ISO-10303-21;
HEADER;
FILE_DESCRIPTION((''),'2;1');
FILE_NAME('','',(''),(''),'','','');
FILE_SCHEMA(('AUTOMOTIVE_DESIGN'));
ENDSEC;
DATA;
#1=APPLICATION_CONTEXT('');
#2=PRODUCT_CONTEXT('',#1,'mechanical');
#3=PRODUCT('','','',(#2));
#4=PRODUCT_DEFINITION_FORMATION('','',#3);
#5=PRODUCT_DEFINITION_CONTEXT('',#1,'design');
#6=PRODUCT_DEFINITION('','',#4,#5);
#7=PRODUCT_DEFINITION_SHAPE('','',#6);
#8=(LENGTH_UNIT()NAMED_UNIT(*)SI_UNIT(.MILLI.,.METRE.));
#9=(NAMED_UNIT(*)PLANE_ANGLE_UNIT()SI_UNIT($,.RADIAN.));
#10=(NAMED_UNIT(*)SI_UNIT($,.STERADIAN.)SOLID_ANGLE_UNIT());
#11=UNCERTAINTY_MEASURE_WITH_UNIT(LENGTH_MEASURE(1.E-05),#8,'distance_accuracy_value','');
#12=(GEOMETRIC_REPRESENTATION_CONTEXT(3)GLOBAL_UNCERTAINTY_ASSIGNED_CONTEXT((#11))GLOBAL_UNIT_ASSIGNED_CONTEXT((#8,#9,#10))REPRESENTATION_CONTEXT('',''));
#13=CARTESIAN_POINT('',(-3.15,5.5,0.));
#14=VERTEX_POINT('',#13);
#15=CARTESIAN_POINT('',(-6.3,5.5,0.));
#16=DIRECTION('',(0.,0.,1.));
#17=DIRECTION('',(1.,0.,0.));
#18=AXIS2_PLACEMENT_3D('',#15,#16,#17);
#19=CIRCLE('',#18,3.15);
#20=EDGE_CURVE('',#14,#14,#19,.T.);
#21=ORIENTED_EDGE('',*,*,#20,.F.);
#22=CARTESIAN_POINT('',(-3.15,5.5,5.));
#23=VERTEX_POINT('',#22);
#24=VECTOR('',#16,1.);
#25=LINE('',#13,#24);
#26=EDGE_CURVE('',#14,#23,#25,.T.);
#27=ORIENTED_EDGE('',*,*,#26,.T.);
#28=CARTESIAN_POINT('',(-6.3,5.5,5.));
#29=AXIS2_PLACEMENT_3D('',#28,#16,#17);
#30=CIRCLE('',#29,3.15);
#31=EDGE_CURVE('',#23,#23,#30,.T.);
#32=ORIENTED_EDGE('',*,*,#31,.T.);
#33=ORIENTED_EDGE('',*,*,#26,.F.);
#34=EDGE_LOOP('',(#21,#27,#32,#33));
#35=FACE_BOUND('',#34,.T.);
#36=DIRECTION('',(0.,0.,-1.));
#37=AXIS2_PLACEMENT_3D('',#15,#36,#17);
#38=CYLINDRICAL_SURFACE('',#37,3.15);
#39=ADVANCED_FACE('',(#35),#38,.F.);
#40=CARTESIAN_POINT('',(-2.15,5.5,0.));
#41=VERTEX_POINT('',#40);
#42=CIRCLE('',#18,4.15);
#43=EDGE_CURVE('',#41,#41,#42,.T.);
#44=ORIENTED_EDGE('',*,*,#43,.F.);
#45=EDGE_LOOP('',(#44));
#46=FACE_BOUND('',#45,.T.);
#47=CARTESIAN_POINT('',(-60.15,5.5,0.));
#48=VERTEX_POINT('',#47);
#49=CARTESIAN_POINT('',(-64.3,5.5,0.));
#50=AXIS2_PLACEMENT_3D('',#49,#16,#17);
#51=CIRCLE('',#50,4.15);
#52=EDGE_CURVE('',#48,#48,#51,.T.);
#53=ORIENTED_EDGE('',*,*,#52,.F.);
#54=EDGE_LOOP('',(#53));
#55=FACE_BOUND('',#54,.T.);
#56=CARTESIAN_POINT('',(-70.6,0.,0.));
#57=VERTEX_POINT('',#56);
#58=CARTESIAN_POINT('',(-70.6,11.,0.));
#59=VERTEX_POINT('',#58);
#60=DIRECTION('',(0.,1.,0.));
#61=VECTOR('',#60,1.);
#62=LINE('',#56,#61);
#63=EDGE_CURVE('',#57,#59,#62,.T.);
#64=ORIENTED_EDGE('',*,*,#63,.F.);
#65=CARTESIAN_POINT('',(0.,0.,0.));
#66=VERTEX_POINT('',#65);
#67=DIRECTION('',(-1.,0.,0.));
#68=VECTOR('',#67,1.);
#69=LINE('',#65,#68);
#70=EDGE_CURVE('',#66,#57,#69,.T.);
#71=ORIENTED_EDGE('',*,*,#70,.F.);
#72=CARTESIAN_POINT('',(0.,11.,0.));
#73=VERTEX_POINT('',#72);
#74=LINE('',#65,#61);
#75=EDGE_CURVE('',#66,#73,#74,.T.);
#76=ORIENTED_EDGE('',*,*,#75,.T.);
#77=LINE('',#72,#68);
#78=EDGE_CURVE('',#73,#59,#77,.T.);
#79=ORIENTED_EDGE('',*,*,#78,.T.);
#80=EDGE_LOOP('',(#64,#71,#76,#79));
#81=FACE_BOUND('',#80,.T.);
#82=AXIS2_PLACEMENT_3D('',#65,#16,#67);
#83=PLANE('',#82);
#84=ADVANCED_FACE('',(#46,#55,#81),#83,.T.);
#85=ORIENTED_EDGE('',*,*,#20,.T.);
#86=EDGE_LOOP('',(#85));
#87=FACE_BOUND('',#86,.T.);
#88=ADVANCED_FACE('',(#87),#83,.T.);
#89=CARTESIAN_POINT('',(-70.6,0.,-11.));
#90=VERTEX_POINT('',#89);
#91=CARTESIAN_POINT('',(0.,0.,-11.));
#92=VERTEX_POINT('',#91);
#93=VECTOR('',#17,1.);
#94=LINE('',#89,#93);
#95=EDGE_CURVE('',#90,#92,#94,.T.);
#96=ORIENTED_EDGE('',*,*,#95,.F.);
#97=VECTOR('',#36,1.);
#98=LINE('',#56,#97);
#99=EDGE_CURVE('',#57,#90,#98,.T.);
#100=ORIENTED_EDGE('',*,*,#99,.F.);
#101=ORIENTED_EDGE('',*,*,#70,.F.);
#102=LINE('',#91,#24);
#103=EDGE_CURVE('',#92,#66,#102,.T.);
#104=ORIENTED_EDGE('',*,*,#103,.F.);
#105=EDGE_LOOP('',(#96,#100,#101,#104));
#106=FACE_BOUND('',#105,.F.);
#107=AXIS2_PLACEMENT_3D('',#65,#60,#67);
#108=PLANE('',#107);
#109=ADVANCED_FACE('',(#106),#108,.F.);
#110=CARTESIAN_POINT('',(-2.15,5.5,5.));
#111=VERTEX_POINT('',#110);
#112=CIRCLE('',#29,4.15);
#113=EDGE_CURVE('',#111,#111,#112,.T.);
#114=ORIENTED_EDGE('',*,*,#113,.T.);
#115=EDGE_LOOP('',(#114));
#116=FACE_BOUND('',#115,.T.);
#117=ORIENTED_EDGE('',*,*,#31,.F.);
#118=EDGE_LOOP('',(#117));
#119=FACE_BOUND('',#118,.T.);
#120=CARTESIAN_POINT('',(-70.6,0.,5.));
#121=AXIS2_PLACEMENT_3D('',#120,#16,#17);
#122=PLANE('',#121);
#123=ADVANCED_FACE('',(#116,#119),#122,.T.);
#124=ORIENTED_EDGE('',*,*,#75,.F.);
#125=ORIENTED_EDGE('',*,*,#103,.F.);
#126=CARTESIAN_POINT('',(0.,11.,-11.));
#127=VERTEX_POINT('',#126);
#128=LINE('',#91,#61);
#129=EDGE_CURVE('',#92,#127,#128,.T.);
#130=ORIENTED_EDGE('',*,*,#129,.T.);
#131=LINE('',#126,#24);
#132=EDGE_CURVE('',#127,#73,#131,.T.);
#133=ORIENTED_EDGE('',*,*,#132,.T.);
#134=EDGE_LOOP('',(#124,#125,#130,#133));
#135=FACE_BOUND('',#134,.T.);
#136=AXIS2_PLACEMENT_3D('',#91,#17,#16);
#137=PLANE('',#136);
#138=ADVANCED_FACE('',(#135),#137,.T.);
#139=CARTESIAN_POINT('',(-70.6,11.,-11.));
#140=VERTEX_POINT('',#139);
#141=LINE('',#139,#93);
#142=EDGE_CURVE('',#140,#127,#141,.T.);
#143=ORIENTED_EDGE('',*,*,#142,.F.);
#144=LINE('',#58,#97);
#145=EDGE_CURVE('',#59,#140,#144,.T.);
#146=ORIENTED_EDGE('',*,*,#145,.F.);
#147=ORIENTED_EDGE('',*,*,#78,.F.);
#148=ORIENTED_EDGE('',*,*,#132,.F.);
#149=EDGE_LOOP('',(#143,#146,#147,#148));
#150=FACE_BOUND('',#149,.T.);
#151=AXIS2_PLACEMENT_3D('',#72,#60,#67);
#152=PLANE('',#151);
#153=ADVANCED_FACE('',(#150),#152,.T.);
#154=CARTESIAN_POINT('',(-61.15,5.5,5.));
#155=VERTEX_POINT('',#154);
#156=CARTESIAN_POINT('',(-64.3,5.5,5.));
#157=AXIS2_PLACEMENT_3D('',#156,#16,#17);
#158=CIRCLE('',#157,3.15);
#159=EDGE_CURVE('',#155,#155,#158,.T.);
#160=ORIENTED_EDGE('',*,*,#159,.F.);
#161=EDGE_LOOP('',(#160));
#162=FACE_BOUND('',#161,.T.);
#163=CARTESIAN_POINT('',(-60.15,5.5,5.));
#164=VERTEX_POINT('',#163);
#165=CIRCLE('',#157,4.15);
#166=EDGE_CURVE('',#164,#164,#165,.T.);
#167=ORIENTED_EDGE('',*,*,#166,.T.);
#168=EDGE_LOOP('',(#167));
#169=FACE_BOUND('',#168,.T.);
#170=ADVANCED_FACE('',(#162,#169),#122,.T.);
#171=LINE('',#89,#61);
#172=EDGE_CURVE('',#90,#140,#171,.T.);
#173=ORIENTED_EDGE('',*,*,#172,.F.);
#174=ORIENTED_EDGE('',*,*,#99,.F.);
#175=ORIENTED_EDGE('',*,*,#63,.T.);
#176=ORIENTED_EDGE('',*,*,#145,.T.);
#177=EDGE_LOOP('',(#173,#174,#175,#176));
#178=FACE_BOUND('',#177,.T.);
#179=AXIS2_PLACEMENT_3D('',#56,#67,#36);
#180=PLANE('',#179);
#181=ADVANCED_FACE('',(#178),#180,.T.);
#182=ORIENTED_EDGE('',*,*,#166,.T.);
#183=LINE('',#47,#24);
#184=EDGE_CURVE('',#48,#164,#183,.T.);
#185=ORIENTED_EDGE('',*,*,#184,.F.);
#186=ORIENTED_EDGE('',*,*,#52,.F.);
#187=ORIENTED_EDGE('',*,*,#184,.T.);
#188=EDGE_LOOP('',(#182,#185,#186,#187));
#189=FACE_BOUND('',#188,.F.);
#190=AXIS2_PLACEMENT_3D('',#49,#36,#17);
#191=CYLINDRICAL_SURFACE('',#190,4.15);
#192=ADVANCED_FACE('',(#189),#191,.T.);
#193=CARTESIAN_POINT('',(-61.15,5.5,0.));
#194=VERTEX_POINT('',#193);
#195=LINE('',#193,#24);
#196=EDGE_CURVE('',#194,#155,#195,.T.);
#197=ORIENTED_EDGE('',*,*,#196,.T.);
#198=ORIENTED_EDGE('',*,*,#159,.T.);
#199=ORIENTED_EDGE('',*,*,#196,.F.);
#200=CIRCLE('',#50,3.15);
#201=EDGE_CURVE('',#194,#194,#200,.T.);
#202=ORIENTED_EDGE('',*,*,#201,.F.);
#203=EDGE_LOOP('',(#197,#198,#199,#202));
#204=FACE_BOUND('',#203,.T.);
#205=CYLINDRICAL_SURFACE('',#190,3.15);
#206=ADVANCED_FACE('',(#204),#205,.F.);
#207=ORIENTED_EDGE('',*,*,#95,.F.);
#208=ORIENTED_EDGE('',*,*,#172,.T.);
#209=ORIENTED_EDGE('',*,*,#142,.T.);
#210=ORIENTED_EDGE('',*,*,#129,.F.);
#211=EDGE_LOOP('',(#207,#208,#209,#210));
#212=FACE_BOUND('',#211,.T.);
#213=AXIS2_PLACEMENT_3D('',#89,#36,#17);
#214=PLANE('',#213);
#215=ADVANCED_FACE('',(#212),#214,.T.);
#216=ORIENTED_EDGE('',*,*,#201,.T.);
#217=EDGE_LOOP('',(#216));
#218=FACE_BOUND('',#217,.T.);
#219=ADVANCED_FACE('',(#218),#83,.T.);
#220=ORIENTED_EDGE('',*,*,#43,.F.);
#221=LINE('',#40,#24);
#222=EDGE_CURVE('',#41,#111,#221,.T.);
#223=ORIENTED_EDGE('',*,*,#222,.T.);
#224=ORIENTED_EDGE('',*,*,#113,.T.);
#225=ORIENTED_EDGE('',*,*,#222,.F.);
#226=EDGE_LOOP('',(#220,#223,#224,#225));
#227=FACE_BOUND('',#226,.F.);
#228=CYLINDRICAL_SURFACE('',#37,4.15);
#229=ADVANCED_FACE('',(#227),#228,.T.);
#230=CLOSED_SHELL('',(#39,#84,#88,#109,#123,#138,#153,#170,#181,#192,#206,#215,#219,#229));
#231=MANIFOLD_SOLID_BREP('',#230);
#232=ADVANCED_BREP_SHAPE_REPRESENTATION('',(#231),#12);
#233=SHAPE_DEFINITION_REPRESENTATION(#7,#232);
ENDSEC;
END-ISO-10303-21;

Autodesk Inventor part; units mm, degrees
ref_plane "YZ Plane" through (0, 0, 0) normal (1, 0, 0) x (0, 1, 0)
ref_plane "XZ Plane" through (0, 0, 0) normal (0, 1, 0) x (-1, 0, 0)
ref_plane "XY Plane" through (0, 0, 0) normal (0, 0, 1) x (1, 0, 0)
sketch "Sketch1" plane through (0, 0, 0) normal (0, 1, 0) x (-1, 0, 0)
  line L0 (0, 0) -> (70.6, 0)
  line L1 (70.6, 0) -> (70.6, -11)
  line L2 (70.6, -11) -> (0, -11)
  line L3 (0, -11) -> (0, 0)
  dimension "d0" = 70.6
  dimension "d1" = 11
extrude "Extrusion1" add sketch "Sketch1" along normal blind 11
sketch "Sketch2" plane through (-70.6, 0, 0) normal (0, 0, 1) x (1, 0, 0)
  circle A0 centre (6.3, 5.5) radius 3.15
  circle A1 centre (64.3, 5.5) radius 3.15
  line L0 (6.3, 5.5) -> (64.3, 5.5) construction
  line L1 (0, 11) -> (70.6, 11) construction
  line L2 (0, 0) -> (0, 11) construction
  circle A2 centre (6.3, 5.5) radius 4.15
  circle A3 centre (64.3, 5.5) radius 4.15
  point P0 (70.6, 0)
  dimension "d4" = 5.5
  dimension "d5" = 58
  dimension "d6" = 6.3
  dimension "d7" = 6.3
  dimension "d8" = 1
extrude "Extrusion2" add sketch "Sketch2" along normal blind 5
equation "\"d0\" = carriage_support_length"
equation "\"d1\" = carriage_support_width"
equation "\"d2\" = carriage_support_height"
equation "\"d4\" = 0.5 * carriage_support_height"
equation "\"d5\" = carriage_rod_dist"
equation "\"d6\" = 0.5 * carriage_support_length - 0.5 * carriage_rod_dist"
equation "\"d7\" = carriage_rod_diameter + rod_tolerance"
equation "\"carriage_rod_diameter\" = 6"
equation "\"rod_tolerance\" = 0.3"
equation "\"carriage_support_length\" = 70.6"
equation "\"carriage_support_width\" = 11"
equation "\"carriage_support_height\" = 11"
equation "\"carriage_rod_dist\" = 58"
properties part number "carriage_support"
